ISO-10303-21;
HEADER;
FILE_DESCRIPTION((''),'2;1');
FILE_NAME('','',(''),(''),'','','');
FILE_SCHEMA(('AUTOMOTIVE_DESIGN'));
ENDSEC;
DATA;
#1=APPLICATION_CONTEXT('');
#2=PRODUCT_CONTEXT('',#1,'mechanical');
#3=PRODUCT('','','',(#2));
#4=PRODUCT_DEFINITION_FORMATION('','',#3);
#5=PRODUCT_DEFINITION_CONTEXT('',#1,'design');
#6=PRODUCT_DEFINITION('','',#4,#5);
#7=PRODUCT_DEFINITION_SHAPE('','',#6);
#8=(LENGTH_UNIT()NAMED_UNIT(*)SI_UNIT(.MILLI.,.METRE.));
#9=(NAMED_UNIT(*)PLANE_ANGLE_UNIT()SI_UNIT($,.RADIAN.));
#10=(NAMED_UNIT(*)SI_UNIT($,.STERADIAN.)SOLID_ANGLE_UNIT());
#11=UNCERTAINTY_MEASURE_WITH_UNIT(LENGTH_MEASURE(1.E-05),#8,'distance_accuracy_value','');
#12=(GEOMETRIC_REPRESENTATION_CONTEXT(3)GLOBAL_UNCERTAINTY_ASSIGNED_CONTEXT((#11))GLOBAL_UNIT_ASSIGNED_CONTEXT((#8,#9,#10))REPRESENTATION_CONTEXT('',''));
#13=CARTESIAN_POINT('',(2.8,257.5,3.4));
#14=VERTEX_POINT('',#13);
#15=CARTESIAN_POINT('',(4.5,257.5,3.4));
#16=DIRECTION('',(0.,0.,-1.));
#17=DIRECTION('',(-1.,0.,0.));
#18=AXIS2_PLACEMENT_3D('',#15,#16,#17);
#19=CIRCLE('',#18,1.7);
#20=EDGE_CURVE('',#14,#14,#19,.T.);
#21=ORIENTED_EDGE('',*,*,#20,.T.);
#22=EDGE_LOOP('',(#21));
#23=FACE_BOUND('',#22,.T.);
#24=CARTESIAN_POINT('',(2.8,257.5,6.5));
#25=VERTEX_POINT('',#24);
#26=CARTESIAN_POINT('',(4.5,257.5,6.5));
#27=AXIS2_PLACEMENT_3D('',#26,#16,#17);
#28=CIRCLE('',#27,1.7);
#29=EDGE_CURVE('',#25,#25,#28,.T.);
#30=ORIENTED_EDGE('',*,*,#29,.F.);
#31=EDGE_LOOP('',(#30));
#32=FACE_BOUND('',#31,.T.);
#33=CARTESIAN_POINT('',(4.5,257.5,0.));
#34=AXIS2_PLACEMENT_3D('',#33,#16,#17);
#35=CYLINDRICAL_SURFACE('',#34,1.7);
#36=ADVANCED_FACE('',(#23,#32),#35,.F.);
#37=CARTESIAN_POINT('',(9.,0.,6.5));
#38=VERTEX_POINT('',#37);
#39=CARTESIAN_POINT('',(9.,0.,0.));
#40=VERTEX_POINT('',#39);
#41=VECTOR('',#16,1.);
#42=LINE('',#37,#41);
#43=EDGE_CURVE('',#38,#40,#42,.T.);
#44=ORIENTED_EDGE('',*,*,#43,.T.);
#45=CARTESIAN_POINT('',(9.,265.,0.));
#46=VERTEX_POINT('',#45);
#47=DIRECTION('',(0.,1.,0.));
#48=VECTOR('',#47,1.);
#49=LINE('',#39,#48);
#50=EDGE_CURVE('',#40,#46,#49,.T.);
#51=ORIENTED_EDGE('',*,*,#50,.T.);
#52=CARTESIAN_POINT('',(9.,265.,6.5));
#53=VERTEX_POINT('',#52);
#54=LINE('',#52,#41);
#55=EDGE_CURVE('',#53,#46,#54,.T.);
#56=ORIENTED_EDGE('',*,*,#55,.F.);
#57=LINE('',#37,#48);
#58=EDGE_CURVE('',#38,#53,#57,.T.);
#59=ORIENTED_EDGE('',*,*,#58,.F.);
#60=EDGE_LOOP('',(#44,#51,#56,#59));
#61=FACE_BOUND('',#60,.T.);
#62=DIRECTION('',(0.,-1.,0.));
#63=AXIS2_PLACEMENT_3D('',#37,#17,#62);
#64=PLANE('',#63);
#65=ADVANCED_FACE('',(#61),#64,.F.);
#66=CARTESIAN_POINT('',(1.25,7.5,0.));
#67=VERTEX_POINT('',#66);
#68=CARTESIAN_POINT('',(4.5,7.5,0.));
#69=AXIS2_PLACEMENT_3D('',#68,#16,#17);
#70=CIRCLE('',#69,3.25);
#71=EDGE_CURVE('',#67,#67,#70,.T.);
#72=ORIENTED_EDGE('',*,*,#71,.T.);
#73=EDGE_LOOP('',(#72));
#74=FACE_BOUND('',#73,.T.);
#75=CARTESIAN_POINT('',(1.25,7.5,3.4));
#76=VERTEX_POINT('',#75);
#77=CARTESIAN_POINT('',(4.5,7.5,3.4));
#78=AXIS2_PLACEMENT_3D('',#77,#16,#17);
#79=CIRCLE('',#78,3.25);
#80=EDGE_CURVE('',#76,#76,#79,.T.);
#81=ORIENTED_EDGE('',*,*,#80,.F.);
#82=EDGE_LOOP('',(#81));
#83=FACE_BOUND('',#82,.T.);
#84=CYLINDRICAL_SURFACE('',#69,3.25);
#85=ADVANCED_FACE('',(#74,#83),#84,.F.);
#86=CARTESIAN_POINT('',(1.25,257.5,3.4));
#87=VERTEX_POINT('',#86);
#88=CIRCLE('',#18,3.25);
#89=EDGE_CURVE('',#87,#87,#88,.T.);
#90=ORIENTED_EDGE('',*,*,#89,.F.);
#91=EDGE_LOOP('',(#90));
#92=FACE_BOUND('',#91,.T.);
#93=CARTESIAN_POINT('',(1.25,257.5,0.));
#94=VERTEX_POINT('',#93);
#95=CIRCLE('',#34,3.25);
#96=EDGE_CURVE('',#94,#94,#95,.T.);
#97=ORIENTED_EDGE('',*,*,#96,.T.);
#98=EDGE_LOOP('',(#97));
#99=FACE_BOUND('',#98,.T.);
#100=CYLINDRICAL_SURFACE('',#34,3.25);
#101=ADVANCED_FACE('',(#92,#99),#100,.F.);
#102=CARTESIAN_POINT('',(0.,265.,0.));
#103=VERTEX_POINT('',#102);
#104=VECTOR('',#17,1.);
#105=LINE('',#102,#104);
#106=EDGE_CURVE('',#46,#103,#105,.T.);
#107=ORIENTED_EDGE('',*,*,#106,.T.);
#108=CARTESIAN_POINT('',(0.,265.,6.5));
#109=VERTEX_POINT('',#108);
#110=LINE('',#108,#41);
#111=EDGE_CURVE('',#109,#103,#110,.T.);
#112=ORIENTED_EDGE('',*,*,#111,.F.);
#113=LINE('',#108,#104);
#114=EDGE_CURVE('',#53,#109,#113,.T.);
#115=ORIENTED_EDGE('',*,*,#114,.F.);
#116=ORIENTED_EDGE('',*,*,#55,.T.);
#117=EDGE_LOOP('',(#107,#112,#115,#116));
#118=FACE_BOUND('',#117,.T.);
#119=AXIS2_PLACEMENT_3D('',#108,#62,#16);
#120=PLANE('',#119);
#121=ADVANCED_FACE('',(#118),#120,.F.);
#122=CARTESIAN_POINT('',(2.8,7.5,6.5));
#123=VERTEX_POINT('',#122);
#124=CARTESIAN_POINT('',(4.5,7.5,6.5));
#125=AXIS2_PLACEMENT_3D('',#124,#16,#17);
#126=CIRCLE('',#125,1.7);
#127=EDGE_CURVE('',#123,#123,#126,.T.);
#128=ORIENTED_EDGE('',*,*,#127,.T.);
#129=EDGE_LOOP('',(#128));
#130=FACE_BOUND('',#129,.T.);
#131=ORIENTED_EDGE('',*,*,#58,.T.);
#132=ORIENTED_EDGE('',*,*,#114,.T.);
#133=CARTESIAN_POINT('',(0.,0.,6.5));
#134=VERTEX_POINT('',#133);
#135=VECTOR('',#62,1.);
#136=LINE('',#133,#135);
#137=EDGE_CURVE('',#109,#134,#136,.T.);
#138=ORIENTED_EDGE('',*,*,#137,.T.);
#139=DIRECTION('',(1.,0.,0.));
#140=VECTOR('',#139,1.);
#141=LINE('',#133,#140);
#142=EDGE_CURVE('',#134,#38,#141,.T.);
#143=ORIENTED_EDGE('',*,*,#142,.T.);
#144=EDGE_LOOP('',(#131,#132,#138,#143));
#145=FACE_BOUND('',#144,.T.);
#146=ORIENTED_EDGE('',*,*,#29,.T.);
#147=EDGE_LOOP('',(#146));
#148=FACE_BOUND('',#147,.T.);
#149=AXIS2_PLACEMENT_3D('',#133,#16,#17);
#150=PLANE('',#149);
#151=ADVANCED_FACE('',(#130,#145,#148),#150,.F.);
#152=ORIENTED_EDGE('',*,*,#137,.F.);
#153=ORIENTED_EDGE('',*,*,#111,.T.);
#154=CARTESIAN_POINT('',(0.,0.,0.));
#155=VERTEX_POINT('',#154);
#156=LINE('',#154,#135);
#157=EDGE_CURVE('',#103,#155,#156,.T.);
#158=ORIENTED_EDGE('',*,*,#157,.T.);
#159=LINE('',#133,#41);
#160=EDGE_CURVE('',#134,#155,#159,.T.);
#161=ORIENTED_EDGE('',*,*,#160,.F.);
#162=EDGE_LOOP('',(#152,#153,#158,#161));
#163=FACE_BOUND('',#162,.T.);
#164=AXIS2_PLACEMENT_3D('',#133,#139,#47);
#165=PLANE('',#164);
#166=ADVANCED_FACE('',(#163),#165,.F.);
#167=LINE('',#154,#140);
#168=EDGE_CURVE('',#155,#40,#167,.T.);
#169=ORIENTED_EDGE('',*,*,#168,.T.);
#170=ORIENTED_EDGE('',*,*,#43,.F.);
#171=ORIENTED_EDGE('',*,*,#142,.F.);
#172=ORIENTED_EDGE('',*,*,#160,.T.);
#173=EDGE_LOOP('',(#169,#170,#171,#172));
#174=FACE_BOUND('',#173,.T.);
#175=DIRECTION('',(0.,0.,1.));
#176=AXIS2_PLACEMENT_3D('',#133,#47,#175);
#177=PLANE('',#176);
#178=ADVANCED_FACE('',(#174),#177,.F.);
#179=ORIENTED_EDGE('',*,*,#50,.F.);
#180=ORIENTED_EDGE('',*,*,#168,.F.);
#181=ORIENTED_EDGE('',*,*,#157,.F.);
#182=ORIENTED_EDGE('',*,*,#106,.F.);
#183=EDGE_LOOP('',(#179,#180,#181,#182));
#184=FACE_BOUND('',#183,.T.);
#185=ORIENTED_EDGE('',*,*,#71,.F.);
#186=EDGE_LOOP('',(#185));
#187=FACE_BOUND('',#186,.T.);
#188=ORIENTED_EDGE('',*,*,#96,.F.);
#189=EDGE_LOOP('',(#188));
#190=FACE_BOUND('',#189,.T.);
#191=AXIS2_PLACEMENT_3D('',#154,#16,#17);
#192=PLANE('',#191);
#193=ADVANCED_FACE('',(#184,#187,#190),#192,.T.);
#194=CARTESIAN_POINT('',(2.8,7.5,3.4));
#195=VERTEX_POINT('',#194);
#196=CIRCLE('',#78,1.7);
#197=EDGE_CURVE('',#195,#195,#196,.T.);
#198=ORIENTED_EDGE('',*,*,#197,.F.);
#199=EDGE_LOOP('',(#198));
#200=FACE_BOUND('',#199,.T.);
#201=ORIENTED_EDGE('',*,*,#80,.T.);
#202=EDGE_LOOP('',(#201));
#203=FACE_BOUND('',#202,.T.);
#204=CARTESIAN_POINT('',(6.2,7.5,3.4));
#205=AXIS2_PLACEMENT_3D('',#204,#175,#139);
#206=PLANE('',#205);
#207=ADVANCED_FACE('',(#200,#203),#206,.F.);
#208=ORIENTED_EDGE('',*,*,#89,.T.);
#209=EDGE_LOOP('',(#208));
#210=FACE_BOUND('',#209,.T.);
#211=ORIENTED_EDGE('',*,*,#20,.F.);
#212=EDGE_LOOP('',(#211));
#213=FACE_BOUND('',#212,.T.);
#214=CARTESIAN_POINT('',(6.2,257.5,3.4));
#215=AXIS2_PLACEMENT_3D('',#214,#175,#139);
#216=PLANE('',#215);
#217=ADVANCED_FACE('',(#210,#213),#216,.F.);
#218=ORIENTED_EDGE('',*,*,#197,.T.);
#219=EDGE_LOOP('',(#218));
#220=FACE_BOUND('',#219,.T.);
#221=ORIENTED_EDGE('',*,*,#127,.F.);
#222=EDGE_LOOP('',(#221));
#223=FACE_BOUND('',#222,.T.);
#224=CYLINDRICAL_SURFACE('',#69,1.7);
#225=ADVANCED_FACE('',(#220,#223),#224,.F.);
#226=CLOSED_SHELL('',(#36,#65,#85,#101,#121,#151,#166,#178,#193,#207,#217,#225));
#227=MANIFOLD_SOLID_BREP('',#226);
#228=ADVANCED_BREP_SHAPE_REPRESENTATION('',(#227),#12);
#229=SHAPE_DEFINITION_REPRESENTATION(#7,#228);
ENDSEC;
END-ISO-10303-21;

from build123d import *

# Parameters (mm, degrees)
SKETCH_1_W                   = 9
SKETCH_1_H                   = 265
EXTRUDE_1_DEPTH              = 6.5
HOLE_WIZARD_M3_1_D           = 3.4
HOLE_WIZARD_M3_1_DEPTH       = 10.1
HOLE_WIZARD_M3_1_CBORE_D     = 6.5
HOLE_WIZARD_M3_1_CBORE_DEPTH = 3.4
HOLE_WIZARD_M3_1_TIP         = 1.021463052


with BuildPart() as part:
    # 草图1 → 凸台-拉伸1 (new body)
    with BuildSketch(Plane.XY):
        with Locations((4.5, 132.5)):
            Rectangle(SKETCH_1_W, SKETCH_1_H)
    extrude(amount=EXTRUDE_1_DEPTH)

    # M3 六角凹头螺钉的柱形沉头孔1
    with Locations(Plane(origin=(0, 0, 0), x_dir=(-1, 0, 0), z_dir=(0, 0, -1))):
        with Locations((-4.5, 7.5), (-4.5, 257.5)):
            CounterBoreHole(HOLE_WIZARD_M3_1_D / 2, HOLE_WIZARD_M3_1_CBORE_D / 2, HOLE_WIZARD_M3_1_CBORE_DEPTH, depth=HOLE_WIZARD_M3_1_DEPTH)
            with Locations((0, 0, -(HOLE_WIZARD_M3_1_DEPTH + HOLE_WIZARD_M3_1_TIP / 2))):  # 118° drill point
                Cone(0, HOLE_WIZARD_M3_1_D / 2, HOLE_WIZARD_M3_1_TIP, mode=Mode.SUBTRACT)


solid = part.part
